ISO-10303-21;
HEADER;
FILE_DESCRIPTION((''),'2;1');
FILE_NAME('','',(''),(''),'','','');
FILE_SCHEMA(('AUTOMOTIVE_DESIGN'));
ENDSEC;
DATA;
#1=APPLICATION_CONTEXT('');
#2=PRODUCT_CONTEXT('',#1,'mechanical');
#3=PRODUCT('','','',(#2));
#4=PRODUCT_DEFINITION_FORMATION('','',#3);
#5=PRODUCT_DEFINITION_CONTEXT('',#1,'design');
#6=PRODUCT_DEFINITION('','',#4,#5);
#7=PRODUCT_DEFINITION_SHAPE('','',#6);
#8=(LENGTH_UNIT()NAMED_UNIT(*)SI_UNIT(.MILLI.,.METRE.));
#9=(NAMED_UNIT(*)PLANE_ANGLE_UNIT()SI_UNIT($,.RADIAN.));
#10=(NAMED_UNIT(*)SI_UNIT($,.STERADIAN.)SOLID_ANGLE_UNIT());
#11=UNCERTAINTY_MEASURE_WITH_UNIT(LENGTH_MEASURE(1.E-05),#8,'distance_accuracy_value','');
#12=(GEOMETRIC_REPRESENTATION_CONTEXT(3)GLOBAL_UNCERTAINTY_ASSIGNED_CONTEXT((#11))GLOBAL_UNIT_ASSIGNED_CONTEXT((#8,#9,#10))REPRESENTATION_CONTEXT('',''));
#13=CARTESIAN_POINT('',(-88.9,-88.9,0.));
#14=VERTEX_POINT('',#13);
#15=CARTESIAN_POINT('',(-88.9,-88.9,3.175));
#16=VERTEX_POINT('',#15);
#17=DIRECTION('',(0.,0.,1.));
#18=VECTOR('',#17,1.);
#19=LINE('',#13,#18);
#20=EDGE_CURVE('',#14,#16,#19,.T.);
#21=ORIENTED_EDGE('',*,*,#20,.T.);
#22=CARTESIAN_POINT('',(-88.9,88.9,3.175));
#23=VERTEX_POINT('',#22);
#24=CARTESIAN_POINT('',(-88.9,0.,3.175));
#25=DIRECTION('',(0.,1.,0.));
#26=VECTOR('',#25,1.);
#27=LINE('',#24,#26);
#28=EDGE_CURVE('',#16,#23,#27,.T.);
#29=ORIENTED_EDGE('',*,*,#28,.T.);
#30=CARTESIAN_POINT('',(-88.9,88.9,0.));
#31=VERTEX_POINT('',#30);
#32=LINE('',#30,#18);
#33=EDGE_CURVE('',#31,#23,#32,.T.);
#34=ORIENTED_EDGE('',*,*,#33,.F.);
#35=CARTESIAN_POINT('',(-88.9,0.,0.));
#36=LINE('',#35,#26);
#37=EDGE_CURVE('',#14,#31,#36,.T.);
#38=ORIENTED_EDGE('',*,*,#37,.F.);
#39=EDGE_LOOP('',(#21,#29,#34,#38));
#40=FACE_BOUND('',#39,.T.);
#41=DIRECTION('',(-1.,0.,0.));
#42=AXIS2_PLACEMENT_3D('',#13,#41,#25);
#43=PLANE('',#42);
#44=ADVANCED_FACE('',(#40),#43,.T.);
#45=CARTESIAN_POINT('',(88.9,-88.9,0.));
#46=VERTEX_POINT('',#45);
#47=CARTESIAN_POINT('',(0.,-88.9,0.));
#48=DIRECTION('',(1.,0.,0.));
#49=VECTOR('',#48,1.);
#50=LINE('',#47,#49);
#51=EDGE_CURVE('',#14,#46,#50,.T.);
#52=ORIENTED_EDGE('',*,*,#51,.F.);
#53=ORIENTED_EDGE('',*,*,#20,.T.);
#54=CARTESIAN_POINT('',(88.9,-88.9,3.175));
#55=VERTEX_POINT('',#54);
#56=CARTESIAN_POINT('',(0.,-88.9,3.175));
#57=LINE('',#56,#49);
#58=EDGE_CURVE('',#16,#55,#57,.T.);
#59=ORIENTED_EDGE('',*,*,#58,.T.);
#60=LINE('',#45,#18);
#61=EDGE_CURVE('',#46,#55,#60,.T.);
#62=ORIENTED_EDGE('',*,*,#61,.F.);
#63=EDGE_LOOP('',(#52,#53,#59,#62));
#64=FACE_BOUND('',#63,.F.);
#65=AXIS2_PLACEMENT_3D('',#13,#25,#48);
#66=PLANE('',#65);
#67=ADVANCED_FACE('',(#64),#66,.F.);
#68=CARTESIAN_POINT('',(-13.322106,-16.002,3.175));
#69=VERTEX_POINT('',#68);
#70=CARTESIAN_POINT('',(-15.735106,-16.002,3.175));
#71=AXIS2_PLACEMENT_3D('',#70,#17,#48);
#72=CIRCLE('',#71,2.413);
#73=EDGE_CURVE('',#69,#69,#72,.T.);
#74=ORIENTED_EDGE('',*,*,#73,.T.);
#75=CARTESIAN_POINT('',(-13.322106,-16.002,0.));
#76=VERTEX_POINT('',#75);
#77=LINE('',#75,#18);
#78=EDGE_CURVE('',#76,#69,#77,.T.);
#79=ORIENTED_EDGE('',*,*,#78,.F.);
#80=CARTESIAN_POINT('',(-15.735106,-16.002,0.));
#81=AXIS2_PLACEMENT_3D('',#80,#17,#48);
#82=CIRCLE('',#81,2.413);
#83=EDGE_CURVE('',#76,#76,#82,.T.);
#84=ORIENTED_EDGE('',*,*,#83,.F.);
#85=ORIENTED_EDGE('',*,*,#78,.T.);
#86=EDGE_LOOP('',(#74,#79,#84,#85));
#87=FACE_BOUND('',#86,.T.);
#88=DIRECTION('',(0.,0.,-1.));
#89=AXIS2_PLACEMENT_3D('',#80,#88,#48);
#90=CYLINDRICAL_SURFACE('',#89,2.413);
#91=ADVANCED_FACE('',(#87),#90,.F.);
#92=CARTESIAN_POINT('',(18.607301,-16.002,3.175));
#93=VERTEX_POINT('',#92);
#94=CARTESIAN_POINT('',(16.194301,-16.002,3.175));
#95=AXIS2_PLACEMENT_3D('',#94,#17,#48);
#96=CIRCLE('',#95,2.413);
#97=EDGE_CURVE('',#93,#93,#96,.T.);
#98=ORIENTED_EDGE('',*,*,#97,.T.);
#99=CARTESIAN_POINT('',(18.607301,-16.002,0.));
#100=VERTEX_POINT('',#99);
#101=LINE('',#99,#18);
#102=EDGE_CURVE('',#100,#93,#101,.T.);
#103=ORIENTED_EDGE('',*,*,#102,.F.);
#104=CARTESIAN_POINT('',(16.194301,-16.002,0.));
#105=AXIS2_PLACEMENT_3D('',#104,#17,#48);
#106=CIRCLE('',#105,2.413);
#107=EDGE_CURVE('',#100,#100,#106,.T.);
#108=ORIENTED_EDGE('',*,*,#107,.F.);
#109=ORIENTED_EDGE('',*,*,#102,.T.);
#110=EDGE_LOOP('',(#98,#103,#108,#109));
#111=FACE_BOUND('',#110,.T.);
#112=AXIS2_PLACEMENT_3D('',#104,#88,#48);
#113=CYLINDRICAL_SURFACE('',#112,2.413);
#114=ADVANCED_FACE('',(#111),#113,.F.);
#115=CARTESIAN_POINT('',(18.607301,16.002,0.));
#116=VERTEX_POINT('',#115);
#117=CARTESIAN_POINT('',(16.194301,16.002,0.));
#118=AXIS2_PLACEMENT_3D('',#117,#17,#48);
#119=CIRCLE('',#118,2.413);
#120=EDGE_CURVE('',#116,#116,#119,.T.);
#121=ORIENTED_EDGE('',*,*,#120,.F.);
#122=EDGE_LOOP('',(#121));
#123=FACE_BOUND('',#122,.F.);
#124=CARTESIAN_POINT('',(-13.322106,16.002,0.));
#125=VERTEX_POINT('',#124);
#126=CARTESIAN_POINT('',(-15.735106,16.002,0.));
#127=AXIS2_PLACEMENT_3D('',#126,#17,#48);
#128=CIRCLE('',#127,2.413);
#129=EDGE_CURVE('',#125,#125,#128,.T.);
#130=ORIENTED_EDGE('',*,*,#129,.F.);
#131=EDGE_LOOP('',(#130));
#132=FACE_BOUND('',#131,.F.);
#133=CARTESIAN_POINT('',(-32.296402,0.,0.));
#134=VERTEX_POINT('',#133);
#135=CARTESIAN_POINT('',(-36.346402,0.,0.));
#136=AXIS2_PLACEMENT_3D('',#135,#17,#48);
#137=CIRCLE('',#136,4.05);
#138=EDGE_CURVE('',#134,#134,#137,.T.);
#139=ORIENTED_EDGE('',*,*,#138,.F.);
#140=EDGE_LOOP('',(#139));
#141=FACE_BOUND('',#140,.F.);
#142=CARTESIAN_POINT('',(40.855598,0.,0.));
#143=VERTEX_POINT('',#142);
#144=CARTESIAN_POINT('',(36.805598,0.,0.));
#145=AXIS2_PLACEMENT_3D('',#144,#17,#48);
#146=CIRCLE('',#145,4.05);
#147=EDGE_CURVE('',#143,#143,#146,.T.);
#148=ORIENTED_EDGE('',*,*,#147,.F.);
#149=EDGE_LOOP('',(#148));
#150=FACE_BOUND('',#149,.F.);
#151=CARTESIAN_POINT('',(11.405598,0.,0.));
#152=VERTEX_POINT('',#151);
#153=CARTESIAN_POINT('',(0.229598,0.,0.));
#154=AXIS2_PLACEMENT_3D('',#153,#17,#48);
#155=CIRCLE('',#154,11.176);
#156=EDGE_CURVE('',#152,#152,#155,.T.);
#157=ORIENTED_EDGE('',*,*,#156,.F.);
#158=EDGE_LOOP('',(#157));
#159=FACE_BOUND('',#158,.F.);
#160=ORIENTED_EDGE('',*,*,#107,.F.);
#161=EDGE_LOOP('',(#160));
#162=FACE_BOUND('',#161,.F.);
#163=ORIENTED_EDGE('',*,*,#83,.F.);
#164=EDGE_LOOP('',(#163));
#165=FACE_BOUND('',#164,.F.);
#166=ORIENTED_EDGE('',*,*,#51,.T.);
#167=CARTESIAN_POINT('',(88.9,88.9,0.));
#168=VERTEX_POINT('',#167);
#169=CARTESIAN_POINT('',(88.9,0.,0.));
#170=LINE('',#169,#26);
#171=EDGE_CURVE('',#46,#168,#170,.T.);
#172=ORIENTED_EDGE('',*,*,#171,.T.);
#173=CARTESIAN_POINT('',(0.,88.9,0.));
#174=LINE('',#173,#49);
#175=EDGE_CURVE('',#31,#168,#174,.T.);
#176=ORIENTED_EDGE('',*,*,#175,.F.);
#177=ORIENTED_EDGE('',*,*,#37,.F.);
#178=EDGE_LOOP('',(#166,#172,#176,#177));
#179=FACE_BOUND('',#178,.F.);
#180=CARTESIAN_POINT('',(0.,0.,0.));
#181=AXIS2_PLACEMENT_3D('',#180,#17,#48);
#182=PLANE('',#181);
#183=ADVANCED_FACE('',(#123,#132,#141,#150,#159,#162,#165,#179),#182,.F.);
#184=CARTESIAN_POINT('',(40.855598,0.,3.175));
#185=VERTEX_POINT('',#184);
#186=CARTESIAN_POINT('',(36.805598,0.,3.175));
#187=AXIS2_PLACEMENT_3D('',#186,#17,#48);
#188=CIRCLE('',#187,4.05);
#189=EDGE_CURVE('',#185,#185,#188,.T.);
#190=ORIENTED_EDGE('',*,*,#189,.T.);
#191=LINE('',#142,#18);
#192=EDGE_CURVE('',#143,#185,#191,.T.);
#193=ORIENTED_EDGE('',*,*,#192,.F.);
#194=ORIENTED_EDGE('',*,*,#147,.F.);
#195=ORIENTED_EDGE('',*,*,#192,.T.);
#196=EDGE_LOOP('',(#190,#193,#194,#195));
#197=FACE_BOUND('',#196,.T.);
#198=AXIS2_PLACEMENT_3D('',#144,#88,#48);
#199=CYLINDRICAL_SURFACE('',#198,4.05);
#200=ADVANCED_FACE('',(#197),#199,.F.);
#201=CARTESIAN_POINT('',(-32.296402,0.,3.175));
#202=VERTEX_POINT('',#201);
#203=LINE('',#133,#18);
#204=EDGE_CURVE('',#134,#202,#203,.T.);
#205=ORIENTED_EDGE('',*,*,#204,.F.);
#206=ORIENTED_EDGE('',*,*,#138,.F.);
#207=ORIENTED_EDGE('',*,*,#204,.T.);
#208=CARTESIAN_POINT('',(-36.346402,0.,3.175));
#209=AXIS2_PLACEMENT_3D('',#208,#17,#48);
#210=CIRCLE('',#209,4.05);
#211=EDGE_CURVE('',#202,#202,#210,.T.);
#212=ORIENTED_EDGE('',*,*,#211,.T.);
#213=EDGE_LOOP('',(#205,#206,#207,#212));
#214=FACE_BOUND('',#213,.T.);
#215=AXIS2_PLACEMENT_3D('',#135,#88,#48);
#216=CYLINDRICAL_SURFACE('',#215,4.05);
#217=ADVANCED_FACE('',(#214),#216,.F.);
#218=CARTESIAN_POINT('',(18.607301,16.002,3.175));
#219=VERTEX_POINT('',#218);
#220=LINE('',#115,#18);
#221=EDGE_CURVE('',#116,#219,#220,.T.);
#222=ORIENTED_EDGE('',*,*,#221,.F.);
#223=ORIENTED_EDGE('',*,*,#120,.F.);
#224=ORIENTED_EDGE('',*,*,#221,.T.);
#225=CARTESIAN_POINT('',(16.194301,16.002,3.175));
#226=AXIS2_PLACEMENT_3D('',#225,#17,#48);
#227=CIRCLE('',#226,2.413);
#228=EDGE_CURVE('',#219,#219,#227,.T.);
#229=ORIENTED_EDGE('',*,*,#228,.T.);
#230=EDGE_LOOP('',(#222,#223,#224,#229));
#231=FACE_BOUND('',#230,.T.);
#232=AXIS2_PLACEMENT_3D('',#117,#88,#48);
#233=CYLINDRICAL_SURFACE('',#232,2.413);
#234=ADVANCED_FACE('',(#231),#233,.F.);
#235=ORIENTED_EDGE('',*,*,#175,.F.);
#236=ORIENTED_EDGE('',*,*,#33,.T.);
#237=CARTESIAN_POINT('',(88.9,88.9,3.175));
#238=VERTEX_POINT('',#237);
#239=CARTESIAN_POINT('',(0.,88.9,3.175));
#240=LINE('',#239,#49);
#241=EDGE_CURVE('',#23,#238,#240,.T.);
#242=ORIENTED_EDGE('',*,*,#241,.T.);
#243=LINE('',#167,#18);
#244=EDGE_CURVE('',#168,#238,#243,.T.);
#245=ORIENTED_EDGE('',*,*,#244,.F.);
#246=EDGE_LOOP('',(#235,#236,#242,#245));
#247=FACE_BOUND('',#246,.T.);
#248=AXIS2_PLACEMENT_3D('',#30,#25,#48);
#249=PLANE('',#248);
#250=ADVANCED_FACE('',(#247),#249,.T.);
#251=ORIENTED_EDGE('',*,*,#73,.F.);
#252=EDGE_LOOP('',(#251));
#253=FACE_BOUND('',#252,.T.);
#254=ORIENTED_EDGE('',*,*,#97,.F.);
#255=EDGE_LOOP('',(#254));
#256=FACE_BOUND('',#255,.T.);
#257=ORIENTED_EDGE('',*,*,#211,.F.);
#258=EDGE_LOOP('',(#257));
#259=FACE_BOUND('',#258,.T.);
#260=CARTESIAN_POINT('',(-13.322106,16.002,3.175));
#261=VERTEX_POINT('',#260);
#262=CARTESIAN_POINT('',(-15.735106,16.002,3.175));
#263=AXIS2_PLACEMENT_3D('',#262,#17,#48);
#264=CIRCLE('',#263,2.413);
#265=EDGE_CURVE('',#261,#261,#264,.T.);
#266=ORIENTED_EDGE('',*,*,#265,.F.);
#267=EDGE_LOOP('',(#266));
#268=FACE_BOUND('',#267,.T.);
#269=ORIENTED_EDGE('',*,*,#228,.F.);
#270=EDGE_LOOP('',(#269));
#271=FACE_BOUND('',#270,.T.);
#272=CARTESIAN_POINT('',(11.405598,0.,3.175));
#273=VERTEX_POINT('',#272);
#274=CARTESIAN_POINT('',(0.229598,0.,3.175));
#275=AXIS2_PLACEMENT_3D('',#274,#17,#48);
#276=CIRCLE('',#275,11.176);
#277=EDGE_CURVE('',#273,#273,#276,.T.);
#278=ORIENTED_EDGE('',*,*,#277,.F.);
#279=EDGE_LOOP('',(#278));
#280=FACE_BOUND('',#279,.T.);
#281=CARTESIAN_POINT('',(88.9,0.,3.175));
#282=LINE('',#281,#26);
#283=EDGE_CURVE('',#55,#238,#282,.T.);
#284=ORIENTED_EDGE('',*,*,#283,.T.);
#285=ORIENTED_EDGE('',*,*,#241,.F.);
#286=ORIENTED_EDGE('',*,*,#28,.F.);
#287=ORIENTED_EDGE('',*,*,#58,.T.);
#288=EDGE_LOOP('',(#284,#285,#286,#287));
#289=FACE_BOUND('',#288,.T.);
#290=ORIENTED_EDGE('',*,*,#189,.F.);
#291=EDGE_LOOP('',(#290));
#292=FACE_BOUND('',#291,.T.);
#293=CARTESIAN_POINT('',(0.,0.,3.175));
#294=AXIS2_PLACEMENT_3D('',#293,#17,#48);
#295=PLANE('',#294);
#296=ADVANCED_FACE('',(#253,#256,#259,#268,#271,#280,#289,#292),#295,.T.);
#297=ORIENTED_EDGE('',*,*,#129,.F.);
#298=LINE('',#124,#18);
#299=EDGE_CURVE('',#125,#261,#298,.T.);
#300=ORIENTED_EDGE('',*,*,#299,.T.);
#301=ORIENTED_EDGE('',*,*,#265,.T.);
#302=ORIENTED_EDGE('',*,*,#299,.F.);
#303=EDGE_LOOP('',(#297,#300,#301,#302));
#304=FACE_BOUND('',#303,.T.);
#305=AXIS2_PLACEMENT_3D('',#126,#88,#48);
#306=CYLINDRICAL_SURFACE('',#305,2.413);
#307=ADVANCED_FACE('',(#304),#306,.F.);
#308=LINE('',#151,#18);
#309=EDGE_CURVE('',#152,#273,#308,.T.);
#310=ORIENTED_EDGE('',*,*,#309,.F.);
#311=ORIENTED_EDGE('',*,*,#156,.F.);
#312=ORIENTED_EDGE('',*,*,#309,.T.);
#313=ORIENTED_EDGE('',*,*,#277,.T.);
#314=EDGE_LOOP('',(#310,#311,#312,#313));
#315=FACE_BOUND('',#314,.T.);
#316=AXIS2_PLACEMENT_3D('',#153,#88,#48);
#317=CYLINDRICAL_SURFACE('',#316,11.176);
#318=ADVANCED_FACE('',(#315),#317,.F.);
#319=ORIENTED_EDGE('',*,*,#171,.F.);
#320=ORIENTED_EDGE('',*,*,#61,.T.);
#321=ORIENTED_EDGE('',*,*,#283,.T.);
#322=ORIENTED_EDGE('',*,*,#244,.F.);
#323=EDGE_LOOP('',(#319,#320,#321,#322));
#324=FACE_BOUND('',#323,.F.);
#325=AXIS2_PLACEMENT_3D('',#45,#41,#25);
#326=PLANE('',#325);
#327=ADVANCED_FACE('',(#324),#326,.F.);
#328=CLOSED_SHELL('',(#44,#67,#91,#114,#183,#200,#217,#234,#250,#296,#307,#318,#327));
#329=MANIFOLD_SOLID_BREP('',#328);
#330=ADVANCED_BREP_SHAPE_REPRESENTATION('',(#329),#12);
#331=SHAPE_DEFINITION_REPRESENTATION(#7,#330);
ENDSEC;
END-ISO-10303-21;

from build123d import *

# Parameters (mm, degrees)
F0_W     = 177.8
F0_H     = 177.8
F0_R     = 2.413
F0_R_2   = 4.05
F0_R_3   = 11.176
F1_DEPTH = 3.175


with BuildPart() as f1:
    # F0 (on Top) → F1 (new body)
    with BuildSketch(Plane.XY):
        Rectangle(F0_W, F0_H)
        with Locations((-15.735106, -16.002)):
            Circle(F0_R, mode=Mode.SUBTRACT)
        with Locations((16.194301, -16.002)):
            Circle(F0_R, mode=Mode.SUBTRACT)
        with Locations((-36.346402, 0)):
            Circle(F0_R_2, mode=Mode.SUBTRACT)
        with Locations((-15.735106, 16.002)):
            Circle(F0_R, mode=Mode.SUBTRACT)
        with Locations((0.229598, 0)):
            Circle(F0_R_3, mode=Mode.SUBTRACT)
        with Locations((16.194301, 16.002)):
            Circle(F0_R, mode=Mode.SUBTRACT)
        with Locations((36.805598, 0)):
            Circle(F0_R_2, mode=Mode.SUBTRACT)
    extrude(amount=F1_DEPTH)


solid = f1.part
